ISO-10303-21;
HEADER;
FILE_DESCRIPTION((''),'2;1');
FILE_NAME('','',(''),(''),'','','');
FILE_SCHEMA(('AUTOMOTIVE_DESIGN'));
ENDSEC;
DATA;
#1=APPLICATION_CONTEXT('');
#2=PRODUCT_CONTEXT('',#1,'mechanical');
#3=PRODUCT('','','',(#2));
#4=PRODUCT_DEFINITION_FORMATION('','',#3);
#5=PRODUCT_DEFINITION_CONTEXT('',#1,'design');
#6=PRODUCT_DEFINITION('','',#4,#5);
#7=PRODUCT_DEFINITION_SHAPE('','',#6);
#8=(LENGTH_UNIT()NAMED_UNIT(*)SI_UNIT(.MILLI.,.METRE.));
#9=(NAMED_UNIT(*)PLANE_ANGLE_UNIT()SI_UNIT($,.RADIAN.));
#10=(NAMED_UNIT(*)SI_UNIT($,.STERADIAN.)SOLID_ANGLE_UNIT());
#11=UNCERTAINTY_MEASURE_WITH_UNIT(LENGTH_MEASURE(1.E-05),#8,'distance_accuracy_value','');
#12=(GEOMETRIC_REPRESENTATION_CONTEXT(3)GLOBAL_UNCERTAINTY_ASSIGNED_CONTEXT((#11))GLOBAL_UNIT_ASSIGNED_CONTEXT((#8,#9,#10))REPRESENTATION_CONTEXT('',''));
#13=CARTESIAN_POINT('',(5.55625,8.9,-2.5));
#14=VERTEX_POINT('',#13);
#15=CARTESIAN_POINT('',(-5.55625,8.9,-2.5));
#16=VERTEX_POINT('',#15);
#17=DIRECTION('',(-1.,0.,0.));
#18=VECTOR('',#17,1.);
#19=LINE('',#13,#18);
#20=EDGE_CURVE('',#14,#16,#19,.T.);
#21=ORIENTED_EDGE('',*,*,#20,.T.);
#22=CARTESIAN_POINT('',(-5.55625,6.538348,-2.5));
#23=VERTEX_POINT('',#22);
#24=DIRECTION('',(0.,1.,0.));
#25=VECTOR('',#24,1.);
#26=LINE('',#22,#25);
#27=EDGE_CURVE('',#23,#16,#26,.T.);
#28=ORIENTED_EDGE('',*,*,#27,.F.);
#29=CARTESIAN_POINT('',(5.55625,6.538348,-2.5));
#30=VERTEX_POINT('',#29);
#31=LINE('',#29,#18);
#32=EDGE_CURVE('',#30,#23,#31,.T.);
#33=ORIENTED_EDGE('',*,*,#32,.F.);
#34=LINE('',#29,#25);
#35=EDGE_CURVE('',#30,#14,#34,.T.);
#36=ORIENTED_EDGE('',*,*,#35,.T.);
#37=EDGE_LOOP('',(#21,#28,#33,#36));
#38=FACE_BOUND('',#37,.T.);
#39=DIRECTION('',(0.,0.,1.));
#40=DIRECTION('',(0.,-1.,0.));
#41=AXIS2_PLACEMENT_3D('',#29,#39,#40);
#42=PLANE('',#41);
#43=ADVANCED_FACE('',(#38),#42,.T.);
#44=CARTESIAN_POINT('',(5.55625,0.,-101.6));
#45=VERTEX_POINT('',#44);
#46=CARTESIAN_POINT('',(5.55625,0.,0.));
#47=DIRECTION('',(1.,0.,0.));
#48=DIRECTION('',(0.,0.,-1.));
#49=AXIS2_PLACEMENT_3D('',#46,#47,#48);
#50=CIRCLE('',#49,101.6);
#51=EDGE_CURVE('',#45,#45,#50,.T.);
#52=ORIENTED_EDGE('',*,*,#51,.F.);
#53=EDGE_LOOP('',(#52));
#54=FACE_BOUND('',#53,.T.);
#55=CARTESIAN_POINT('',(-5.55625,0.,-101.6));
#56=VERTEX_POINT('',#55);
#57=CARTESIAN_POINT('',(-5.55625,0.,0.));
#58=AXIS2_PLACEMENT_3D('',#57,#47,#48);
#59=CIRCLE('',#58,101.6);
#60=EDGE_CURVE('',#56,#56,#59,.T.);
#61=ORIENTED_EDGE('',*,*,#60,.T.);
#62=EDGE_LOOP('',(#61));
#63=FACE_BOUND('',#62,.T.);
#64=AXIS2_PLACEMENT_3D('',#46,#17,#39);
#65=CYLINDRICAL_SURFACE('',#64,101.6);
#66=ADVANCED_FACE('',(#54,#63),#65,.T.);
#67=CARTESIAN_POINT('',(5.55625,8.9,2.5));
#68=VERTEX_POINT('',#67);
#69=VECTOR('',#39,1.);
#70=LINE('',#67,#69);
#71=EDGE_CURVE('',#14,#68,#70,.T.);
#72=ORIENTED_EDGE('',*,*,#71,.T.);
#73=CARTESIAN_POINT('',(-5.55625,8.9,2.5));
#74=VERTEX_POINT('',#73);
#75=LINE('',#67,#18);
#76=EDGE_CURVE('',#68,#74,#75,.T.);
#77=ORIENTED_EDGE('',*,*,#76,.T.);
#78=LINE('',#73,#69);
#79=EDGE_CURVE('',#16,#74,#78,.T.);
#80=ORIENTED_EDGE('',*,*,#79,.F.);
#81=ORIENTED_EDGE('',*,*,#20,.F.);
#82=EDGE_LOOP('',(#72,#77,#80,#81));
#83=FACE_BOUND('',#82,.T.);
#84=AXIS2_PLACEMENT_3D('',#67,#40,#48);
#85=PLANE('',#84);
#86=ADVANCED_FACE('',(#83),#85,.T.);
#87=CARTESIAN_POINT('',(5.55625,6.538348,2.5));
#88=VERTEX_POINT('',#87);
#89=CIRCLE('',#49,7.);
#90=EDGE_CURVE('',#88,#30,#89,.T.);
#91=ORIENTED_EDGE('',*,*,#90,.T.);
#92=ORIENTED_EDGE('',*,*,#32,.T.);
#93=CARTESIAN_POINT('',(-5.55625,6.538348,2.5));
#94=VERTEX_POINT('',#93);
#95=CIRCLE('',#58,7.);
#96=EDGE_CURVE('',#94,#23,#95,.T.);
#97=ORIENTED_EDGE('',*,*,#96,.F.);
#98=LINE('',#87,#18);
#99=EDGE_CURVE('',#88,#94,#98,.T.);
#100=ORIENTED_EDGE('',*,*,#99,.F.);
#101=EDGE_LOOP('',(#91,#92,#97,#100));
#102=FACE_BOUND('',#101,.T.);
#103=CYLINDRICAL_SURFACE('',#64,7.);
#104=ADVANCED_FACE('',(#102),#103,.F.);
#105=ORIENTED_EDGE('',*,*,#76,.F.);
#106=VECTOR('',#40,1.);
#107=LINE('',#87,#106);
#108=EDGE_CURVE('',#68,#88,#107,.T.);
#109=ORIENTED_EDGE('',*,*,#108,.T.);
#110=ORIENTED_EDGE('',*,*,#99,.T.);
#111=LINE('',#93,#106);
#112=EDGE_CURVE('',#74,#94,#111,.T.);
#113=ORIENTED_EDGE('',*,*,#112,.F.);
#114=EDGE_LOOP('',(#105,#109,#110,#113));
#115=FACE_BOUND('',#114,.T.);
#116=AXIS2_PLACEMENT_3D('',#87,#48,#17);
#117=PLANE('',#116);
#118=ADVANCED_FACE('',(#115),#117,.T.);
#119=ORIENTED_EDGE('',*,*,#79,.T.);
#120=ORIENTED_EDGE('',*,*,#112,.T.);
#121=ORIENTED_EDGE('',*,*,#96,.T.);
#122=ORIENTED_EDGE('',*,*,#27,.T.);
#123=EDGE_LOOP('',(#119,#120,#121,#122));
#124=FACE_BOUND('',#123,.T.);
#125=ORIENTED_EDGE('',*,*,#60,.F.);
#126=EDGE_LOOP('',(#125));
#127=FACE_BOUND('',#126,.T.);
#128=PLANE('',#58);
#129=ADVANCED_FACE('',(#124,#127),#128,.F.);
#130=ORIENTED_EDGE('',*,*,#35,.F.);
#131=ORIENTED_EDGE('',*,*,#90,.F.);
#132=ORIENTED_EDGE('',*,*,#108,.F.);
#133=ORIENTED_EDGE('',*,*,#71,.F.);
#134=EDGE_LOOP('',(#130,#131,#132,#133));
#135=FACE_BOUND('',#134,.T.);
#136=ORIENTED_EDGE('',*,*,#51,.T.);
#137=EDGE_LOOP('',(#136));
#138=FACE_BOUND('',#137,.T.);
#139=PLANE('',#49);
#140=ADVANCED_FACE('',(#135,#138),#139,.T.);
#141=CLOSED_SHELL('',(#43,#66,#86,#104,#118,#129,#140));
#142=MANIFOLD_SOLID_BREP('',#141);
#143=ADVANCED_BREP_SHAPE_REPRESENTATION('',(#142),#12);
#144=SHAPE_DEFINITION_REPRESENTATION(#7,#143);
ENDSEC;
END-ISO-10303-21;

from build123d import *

# Parameters (mm, degrees)
SKETCH1_R           = 101.6
BOSS_EXTRUDE1_DEPTH = 5.55625


with BuildPart() as part:
    # Sketch1 → Boss-Extrude1 (new, symmetric)
    with BuildSketch(Plane(origin=(0, 0, 0), x_dir=(0, 0, -1), z_dir=(1, 0, 0))):
        Circle(SKETCH1_R)
        with BuildLine():
            Line((-2.5, 6.538348415), (-2.5, 8.9))
            Line((-2.5, 8.9), (2.5, 8.9))
            Line((2.5, 8.9), (2.5, 6.538348415))
            ThreePointArc((2.5, 6.538348415), (0, -7), (-2.5, 6.538348415))
        make_face(mode=Mode.SUBTRACT)
    extrude(amount=BOSS_EXTRUDE1_DEPTH, both=True)


solid = part.part
